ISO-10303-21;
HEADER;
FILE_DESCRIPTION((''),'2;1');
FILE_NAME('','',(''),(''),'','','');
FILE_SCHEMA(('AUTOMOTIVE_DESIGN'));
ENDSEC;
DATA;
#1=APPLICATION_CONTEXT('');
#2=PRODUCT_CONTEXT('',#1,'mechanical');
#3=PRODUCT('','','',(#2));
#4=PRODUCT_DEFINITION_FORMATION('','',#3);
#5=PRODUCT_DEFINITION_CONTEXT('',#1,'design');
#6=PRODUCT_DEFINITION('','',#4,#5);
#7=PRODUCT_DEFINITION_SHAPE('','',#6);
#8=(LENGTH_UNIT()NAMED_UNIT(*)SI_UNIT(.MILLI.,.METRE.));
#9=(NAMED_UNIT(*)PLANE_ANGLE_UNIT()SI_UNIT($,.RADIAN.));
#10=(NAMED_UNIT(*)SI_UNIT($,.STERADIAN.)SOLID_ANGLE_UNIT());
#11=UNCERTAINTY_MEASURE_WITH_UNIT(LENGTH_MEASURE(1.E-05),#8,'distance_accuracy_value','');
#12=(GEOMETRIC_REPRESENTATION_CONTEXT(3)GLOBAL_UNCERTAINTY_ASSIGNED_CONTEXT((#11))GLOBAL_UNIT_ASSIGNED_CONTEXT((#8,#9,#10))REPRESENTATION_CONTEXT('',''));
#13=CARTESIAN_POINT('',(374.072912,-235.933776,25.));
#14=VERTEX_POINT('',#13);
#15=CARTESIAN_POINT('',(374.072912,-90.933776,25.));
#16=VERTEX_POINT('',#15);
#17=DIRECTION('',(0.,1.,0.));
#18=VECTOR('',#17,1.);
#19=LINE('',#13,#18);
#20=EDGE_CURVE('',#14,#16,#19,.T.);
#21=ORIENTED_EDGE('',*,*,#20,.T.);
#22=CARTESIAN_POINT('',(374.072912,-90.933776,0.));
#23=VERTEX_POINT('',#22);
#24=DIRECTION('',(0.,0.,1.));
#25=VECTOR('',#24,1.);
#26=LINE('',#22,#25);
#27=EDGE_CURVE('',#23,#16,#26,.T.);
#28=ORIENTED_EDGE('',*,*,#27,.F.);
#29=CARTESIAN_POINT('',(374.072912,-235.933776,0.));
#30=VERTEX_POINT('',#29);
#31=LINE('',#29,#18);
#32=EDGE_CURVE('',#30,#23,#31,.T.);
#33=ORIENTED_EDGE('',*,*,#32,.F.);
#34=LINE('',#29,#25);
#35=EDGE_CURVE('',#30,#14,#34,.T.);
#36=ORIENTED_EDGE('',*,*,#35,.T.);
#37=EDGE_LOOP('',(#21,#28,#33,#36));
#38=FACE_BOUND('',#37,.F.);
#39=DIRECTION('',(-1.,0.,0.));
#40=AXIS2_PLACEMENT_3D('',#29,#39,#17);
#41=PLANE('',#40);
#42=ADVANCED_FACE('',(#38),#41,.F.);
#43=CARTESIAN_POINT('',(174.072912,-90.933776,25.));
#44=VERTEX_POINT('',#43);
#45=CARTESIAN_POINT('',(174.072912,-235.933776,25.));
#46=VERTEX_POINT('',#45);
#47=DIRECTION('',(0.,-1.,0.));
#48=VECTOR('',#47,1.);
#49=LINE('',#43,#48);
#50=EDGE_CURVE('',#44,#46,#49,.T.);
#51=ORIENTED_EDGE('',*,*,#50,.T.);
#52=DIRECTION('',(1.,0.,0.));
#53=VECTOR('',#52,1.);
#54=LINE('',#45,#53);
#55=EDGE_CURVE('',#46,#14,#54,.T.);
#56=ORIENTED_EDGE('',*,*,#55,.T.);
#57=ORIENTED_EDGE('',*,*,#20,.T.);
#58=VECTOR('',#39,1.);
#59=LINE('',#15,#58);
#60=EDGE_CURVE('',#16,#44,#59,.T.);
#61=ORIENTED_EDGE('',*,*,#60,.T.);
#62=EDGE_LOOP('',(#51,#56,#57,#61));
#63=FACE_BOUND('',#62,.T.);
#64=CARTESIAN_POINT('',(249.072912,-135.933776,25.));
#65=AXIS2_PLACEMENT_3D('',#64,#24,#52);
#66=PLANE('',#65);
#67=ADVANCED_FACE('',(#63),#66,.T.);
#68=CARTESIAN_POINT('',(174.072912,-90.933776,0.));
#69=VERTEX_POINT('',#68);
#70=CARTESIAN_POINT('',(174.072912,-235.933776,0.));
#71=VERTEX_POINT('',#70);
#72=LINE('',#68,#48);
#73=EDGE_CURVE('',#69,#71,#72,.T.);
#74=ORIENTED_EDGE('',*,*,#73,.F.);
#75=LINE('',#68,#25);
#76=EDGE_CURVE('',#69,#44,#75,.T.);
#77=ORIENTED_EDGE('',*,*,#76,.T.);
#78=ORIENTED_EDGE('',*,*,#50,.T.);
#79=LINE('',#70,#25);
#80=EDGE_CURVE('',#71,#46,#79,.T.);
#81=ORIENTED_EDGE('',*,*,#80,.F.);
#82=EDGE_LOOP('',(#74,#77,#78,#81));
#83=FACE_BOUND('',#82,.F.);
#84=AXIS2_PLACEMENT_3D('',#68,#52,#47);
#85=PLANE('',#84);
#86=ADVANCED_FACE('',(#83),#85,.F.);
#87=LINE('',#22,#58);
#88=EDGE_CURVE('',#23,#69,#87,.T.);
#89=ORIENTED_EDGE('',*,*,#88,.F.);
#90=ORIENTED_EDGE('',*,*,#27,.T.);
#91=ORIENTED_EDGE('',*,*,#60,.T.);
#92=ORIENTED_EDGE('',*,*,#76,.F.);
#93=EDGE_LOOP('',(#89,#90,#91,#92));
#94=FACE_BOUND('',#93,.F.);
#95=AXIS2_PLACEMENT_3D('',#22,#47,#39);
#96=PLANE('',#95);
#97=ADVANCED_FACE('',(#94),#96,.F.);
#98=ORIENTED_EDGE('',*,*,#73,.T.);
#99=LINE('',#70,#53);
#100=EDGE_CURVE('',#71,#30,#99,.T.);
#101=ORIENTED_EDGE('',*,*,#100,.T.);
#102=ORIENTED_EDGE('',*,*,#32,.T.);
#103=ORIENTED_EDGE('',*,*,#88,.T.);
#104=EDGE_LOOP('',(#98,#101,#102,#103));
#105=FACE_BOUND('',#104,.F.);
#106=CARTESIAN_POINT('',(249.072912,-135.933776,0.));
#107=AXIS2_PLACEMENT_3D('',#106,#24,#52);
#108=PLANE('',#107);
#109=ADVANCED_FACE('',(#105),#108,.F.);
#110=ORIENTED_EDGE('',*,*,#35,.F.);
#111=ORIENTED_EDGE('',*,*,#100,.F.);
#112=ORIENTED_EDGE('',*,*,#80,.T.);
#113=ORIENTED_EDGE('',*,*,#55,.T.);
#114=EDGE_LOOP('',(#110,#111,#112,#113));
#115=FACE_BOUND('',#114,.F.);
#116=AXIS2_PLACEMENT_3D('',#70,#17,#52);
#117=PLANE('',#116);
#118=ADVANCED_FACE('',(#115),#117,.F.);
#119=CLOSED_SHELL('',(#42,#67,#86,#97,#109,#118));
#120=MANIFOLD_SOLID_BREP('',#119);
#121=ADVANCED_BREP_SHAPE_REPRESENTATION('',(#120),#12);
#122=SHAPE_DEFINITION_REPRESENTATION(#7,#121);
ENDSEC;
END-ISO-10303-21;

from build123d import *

# Parameters (mm, degrees)
F0_W     = 20
F0_H     = 45
F0_W_2   = 35
F0_H_2   = 10
F0_W_3   = 50
F0_H_3   = 15
F0_H_4   = 55
F0_W_4   = 10
F0_W_5   = 65
F0_H_5   = 5
F1_DEPTH = 25


with BuildPart() as f1:
    # F0 (on Top) → F1 (new body)
    with BuildSketch(Plane.XY):
        Polygon((324.0729115903, -90.9337763619), (174.0729115903, -90.9337763619), (174.0729115903, -180.9337763619), (280.0729115903, -180.9337763619), (315.0729115903, -180.9337763619), (324.0729115903, -180.9337763619), (324.0729115903, -165.9337763619), (324.0729115903, -135.9337763619), align=None)
        with Locations((364.0729115903, -113.4337763619)):
            Rectangle(F0_W, F0_H)
        with Locations((297.5729115903, -185.9337763619)):
            Rectangle(F0_W_2, F0_H_2)
        with Locations((349.0729115903, -173.4337763619)):
            Rectangle(F0_W_3, F0_H_3)
        Polygon((280.0729115903, -180.9337763619), (174.0729115903, -180.9337763619), (174.0729115903, -194.9337763619), (280.0729115903, -194.9337763619), (280.0729115903, -190.9337763619), align=None)
        with Locations((349.0729115903, -208.4337763619)):
            Rectangle(F0_W_3, F0_H_4)
        Polygon((280.0729115903, -190.9337763619), (280.0729115903, -194.9337763619), (294.0729115903, -194.9337763619), (294.0729115903, -199.9337763619), (294.0729115903, -209.9337763619), (284.0729115903, -209.9337763619), (274.0729115903, -209.9337763619), (274.0729115903, -214.9337763619), (274.0729115903, -217.9337763619), (274.0729115903, -219.9337763619), (269.0729115903, -219.9337763619), (264.0729115903, -219.9337763619), (264.0729115903, -223.9337763619), (264.0729115903, -224.9337763619), (264.0729115903, -230.9337763619), (239.0729115903, -230.9337763619), (239.0729115903, -235.9337763619), (324.0729115903, -235.9337763619), (324.0729115903, -180.9337763619), (315.0729115903, -180.9337763619), (315.0729115903, -190.9337763619), align=None)
        Polygon((280.0729115903, -194.9337763619), (174.0729115903, -194.9337763619), (174.0729115903, -209.9337763619), (264.0729115903, -209.9337763619), (269.0729115903, -209.9337763619), (274.0729115903, -209.9337763619), (284.0729115903, -209.9337763619), (294.0729115903, -209.9337763619), (294.0729115903, -199.9337763619), (294.0729115903, -194.9337763619), align=None)
        Polygon((264.0729115903, -223.9337763619), (174.0729115903, -223.9337763619), (174.0729115903, -230.9337763619), (239.0729115903, -230.9337763619), (264.0729115903, -230.9337763619), (264.0729115903, -224.9337763619), align=None)
        with Locations((344.0729115903, -113.4337763619)):
            Rectangle(F0_W, F0_H)
        with Locations((329.0729115903, -113.4337763619)):
            Rectangle(F0_W_4, F0_H)
        with Locations((206.5729115903, -233.4337763619)):
            Rectangle(F0_W_5, F0_H_5)
        Polygon((264.0729115903, -209.9337763619), (174.0729115903, -209.9337763619), (174.0729115903, -216.9337763619), (264.0729115903, -216.9337763619), (264.0729115903, -214.9337763619), align=None)
        Polygon((334.0729115903, -135.9337763619), (324.0729115903, -135.9337763619), (324.0729115903, -165.9337763619), (374.0729115903, -165.9337763619), (374.0729115903, -135.9337763619), (354.0729115903, -135.9337763619), align=None)
        Polygon((264.0729115903, -216.9337763619), (174.0729115903, -216.9337763619), (174.0729115903, -223.9337763619), (264.0729115903, -223.9337763619), (264.0729115903, -219.9337763619), align=None)
        with BuildLine():
            Line((269.0729115903, -209.9337763619), (264.0729115903, -209.9337763619))
            Line((264.0729115903, -209.9337763619), (264.0729115903, -214.9337763619))
            ThreePointArc((264.0729115903, -214.9337763619), (265.5373776844, -211.398242456), (269.0729115903, -209.9337763619))
        make_face()
        with BuildLine():
            ThreePointArc((274.0729115903, -214.9337763619), (272.6084454963, -211.398242456), (269.0729115903, -209.9337763619))
            ThreePointArc((269.0729115903, -209.9337763619), (265.5373776844, -211.398242456), (264.0729115903, -214.9337763619))
            ThreePointArc((264.0729115903, -214.9337763619), (265.5373776844, -218.4693102679), (269.0729115903, -219.9337763619))
            ThreePointArc((269.0729115903, -219.9337763619), (272.6084454963, -218.4693102679), (274.0729115903, -214.9337763619))
        make_face()
        with BuildLine():
            Line((274.0729115903, -217.9337763619), (274.0729115903, -214.9337763619))
            ThreePointArc((274.0729115903, -214.9337763619), (272.6084454963, -218.4693102679), (269.0729115903, -219.9337763619))
            Line((269.0729115903, -219.9337763619), (274.0729115903, -219.9337763619))
            Line((274.0729115903, -219.9337763619), (274.0729115903, -217.9337763619))
        make_face()
        with BuildLine():
            Line((274.0729115903, -209.9337763619), (269.0729115903, -209.9337763619))
            ThreePointArc((269.0729115903, -209.9337763619), (272.6084454963, -211.398242456), (274.0729115903, -214.9337763619))
            Line((274.0729115903, -214.9337763619), (274.0729115903, -209.9337763619))
        make_face()
        with BuildLine():
            Line((264.0729115903, -214.9337763619), (264.0729115903, -216.9337763619))
            Line((264.0729115903, -216.9337763619), (264.0729115903, -219.9337763619))
            Line((264.0729115903, -219.9337763619), (269.0729115903, -219.9337763619))
            ThreePointArc((269.0729115903, -219.9337763619), (265.5373776844, -218.4693102679), (264.0729115903, -214.9337763619))
        make_face()
    extrude(amount=F1_DEPTH)


solid = f1.part
